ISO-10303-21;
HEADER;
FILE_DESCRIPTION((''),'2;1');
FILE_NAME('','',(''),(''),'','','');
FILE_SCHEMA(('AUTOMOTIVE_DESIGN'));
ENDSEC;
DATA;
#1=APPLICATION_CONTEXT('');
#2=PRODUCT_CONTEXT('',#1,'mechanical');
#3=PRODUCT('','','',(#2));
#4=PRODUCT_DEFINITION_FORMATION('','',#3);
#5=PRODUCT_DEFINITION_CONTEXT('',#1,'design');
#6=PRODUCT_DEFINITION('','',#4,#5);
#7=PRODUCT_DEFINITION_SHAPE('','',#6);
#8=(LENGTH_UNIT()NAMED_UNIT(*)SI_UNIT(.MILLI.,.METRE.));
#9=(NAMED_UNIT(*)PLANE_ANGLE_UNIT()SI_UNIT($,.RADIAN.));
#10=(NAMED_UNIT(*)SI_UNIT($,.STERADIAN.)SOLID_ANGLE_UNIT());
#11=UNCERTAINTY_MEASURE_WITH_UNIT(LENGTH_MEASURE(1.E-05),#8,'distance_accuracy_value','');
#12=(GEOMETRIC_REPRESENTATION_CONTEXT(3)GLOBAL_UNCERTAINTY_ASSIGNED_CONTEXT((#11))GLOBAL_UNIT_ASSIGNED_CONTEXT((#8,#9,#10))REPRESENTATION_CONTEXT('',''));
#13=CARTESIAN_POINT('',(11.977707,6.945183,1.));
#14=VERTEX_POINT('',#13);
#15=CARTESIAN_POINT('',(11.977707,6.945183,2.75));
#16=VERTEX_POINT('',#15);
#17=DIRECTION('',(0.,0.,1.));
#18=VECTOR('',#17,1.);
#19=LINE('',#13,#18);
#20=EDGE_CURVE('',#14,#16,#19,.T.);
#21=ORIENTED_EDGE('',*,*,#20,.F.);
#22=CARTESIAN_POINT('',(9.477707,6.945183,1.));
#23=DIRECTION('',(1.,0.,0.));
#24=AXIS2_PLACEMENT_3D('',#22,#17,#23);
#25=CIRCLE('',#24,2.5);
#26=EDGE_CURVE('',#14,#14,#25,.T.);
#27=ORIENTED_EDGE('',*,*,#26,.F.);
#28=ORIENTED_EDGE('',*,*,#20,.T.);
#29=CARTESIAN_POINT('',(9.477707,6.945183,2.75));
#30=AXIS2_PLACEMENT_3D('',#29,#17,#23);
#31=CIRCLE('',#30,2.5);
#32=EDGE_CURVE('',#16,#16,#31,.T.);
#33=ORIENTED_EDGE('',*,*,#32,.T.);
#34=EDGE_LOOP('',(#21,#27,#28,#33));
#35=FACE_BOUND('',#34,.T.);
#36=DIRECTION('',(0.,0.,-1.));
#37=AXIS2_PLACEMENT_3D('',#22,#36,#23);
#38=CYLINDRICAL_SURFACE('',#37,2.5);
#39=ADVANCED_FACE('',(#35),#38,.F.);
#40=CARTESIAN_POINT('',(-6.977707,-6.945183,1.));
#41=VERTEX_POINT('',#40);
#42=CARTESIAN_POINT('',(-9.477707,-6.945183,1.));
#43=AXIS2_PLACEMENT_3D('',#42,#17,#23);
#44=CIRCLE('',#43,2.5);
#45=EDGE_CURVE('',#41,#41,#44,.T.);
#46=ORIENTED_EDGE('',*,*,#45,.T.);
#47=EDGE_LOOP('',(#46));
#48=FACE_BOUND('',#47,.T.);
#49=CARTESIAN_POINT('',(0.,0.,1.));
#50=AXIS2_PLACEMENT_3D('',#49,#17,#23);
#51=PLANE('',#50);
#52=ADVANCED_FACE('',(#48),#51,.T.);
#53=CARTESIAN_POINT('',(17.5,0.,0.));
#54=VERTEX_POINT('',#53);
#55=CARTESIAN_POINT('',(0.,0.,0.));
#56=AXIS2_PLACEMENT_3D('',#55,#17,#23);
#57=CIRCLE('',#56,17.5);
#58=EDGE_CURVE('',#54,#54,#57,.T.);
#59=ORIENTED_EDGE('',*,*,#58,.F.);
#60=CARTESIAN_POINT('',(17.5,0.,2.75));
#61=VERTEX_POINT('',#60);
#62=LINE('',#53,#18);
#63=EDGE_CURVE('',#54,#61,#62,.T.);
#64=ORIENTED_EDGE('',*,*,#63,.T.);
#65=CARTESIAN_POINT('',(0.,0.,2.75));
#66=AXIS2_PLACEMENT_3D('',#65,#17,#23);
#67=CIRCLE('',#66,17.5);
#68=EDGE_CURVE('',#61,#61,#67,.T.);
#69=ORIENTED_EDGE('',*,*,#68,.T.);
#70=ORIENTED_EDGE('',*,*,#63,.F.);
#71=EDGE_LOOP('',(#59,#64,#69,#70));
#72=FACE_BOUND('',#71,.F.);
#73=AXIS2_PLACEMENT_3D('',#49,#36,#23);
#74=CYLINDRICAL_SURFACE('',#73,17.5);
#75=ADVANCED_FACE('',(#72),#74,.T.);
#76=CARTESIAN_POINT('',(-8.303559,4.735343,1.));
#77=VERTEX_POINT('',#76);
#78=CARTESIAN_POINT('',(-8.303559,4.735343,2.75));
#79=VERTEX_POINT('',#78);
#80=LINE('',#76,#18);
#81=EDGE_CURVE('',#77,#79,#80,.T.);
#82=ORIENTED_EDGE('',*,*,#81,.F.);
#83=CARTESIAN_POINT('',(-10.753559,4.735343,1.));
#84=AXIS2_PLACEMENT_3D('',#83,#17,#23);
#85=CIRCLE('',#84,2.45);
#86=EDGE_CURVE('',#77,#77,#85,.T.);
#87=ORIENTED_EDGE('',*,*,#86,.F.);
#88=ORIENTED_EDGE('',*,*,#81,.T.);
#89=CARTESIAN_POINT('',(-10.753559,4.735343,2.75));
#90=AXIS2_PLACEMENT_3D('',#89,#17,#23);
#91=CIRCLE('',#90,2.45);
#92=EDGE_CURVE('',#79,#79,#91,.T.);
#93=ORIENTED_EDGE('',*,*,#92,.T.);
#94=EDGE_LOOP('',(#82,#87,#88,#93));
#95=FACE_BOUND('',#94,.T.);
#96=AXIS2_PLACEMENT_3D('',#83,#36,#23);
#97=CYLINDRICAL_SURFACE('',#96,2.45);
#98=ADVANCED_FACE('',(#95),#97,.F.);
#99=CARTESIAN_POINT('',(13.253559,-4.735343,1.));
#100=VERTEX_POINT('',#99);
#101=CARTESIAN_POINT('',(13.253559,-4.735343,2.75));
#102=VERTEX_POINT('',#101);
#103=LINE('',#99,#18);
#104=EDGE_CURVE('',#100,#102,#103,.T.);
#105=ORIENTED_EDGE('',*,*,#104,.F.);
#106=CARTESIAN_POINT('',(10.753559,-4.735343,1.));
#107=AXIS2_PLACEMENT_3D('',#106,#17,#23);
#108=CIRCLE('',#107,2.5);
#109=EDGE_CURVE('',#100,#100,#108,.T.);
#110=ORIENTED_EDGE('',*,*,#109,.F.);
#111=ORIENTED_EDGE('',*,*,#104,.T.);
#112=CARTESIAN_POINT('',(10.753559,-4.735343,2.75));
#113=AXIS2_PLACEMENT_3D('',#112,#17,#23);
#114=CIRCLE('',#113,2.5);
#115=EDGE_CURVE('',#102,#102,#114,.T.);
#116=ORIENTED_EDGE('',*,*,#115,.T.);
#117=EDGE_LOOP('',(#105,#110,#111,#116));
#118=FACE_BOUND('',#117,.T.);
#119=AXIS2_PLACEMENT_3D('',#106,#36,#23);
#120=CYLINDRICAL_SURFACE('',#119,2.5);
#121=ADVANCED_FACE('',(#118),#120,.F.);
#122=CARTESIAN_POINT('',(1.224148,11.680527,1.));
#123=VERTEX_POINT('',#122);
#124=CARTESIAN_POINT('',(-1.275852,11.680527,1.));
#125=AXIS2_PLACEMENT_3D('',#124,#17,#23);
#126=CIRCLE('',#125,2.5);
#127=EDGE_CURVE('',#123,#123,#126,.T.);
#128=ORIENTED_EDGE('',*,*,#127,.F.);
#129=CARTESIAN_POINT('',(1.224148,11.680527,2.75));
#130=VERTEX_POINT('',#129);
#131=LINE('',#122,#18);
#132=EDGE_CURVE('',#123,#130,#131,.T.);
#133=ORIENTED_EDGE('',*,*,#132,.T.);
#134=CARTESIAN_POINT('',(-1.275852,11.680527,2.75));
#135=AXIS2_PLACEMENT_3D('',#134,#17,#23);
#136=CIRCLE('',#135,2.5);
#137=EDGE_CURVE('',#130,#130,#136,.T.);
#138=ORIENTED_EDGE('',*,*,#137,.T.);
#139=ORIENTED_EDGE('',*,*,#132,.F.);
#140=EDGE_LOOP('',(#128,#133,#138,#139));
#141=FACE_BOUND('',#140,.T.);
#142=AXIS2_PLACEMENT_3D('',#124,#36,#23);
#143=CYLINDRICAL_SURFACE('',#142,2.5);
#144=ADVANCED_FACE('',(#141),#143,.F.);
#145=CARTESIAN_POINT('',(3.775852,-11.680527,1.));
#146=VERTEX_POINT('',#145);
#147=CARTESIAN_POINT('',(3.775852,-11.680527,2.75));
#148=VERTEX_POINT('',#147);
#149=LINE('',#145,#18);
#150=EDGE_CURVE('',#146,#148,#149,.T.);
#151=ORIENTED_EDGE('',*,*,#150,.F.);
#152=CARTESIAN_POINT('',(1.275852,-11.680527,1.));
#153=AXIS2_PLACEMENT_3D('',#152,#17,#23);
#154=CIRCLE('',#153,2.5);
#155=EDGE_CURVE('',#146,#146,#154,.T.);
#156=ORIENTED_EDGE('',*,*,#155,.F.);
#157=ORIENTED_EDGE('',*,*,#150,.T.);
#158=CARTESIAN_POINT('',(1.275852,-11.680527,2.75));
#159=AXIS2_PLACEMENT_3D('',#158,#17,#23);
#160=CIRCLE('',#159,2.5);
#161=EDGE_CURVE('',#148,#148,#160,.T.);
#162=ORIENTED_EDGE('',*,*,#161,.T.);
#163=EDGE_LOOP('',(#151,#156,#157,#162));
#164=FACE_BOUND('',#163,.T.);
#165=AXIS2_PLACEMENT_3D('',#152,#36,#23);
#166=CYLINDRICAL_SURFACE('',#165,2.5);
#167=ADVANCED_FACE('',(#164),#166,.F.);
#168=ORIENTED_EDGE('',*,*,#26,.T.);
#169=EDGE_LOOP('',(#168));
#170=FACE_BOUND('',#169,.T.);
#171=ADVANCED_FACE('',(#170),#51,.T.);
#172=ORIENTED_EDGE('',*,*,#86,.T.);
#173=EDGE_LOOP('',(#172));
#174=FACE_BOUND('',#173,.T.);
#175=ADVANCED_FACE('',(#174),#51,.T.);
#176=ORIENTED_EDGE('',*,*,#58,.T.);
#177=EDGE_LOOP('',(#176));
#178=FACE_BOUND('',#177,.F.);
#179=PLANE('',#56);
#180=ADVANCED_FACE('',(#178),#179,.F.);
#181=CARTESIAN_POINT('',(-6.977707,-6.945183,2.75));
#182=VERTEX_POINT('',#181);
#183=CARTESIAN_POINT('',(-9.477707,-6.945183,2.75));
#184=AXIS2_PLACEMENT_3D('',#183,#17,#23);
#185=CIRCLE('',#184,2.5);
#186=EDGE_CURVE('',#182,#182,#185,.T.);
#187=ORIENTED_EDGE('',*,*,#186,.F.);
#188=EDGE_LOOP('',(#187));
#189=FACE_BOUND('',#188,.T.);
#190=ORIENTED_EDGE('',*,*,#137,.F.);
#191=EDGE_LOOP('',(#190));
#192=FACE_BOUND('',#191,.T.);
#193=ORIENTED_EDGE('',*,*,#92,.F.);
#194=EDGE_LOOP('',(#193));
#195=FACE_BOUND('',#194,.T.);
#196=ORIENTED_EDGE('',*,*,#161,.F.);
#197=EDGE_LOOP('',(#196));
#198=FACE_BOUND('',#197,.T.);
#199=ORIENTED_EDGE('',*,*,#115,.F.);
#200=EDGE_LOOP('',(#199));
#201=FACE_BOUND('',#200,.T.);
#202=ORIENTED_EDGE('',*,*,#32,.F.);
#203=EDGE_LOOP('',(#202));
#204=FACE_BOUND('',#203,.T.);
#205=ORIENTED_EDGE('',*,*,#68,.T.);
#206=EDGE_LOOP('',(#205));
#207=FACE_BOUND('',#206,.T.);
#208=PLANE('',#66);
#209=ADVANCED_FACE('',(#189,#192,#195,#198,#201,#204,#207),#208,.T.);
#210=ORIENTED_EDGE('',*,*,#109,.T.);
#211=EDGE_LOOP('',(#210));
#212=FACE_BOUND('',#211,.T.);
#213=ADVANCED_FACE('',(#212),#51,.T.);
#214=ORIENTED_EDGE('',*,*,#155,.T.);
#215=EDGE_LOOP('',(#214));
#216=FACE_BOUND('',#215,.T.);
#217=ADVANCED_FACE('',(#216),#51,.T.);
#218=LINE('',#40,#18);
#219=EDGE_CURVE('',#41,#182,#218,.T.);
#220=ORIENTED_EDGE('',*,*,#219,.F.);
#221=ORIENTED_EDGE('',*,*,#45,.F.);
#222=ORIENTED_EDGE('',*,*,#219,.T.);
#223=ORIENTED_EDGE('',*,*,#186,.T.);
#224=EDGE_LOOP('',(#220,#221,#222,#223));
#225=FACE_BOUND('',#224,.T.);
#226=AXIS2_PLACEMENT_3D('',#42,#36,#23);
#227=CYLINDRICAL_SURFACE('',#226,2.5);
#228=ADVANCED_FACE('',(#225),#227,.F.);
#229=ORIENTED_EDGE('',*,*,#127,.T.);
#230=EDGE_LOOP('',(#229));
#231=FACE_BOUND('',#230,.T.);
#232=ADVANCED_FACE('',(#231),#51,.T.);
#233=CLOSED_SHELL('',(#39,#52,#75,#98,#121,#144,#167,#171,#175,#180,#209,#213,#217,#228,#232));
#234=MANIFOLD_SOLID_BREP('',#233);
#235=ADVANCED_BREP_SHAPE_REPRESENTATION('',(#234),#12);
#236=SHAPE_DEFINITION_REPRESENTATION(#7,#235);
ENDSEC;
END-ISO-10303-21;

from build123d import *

# Parameters (mm, degrees)
F0_R     = 17.5
F1_DEPTH = 1
F2_R     = 17.5
F2_R_2   = 2.5
F2_R_3   = 2.45
F3_DEPTH = 1.75


with BuildPart() as f1:
    # F0 (on Top) → F1 (new body)
    with BuildSketch(Plane.XY):
        Circle(F0_R)
    extrude(amount=F1_DEPTH)

    # F2 (on face) → F3 (join)
    with BuildSketch(Plane.XY.offset(1)):
        Circle(F2_R)
        with Locations((-9.477707, -6.945183)):
            Circle(F2_R_2, mode=Mode.SUBTRACT)
        with Locations((1.275852, -11.680527)):
            Circle(F2_R_2, mode=Mode.SUBTRACT)
        with Locations((10.753559, -4.735343)):
            Circle(F2_R_2, mode=Mode.SUBTRACT)
        with Locations((-10.753559, 4.735343)):
            Circle(F2_R_3, mode=Mode.SUBTRACT)
        with Locations((-1.275852, 11.680527)):
            Circle(F2_R_2, mode=Mode.SUBTRACT)
        with Locations((9.477707, 6.945183)):
            Circle(F2_R_2, mode=Mode.SUBTRACT)
    extrude(amount=F3_DEPTH)


solid = f1.part
